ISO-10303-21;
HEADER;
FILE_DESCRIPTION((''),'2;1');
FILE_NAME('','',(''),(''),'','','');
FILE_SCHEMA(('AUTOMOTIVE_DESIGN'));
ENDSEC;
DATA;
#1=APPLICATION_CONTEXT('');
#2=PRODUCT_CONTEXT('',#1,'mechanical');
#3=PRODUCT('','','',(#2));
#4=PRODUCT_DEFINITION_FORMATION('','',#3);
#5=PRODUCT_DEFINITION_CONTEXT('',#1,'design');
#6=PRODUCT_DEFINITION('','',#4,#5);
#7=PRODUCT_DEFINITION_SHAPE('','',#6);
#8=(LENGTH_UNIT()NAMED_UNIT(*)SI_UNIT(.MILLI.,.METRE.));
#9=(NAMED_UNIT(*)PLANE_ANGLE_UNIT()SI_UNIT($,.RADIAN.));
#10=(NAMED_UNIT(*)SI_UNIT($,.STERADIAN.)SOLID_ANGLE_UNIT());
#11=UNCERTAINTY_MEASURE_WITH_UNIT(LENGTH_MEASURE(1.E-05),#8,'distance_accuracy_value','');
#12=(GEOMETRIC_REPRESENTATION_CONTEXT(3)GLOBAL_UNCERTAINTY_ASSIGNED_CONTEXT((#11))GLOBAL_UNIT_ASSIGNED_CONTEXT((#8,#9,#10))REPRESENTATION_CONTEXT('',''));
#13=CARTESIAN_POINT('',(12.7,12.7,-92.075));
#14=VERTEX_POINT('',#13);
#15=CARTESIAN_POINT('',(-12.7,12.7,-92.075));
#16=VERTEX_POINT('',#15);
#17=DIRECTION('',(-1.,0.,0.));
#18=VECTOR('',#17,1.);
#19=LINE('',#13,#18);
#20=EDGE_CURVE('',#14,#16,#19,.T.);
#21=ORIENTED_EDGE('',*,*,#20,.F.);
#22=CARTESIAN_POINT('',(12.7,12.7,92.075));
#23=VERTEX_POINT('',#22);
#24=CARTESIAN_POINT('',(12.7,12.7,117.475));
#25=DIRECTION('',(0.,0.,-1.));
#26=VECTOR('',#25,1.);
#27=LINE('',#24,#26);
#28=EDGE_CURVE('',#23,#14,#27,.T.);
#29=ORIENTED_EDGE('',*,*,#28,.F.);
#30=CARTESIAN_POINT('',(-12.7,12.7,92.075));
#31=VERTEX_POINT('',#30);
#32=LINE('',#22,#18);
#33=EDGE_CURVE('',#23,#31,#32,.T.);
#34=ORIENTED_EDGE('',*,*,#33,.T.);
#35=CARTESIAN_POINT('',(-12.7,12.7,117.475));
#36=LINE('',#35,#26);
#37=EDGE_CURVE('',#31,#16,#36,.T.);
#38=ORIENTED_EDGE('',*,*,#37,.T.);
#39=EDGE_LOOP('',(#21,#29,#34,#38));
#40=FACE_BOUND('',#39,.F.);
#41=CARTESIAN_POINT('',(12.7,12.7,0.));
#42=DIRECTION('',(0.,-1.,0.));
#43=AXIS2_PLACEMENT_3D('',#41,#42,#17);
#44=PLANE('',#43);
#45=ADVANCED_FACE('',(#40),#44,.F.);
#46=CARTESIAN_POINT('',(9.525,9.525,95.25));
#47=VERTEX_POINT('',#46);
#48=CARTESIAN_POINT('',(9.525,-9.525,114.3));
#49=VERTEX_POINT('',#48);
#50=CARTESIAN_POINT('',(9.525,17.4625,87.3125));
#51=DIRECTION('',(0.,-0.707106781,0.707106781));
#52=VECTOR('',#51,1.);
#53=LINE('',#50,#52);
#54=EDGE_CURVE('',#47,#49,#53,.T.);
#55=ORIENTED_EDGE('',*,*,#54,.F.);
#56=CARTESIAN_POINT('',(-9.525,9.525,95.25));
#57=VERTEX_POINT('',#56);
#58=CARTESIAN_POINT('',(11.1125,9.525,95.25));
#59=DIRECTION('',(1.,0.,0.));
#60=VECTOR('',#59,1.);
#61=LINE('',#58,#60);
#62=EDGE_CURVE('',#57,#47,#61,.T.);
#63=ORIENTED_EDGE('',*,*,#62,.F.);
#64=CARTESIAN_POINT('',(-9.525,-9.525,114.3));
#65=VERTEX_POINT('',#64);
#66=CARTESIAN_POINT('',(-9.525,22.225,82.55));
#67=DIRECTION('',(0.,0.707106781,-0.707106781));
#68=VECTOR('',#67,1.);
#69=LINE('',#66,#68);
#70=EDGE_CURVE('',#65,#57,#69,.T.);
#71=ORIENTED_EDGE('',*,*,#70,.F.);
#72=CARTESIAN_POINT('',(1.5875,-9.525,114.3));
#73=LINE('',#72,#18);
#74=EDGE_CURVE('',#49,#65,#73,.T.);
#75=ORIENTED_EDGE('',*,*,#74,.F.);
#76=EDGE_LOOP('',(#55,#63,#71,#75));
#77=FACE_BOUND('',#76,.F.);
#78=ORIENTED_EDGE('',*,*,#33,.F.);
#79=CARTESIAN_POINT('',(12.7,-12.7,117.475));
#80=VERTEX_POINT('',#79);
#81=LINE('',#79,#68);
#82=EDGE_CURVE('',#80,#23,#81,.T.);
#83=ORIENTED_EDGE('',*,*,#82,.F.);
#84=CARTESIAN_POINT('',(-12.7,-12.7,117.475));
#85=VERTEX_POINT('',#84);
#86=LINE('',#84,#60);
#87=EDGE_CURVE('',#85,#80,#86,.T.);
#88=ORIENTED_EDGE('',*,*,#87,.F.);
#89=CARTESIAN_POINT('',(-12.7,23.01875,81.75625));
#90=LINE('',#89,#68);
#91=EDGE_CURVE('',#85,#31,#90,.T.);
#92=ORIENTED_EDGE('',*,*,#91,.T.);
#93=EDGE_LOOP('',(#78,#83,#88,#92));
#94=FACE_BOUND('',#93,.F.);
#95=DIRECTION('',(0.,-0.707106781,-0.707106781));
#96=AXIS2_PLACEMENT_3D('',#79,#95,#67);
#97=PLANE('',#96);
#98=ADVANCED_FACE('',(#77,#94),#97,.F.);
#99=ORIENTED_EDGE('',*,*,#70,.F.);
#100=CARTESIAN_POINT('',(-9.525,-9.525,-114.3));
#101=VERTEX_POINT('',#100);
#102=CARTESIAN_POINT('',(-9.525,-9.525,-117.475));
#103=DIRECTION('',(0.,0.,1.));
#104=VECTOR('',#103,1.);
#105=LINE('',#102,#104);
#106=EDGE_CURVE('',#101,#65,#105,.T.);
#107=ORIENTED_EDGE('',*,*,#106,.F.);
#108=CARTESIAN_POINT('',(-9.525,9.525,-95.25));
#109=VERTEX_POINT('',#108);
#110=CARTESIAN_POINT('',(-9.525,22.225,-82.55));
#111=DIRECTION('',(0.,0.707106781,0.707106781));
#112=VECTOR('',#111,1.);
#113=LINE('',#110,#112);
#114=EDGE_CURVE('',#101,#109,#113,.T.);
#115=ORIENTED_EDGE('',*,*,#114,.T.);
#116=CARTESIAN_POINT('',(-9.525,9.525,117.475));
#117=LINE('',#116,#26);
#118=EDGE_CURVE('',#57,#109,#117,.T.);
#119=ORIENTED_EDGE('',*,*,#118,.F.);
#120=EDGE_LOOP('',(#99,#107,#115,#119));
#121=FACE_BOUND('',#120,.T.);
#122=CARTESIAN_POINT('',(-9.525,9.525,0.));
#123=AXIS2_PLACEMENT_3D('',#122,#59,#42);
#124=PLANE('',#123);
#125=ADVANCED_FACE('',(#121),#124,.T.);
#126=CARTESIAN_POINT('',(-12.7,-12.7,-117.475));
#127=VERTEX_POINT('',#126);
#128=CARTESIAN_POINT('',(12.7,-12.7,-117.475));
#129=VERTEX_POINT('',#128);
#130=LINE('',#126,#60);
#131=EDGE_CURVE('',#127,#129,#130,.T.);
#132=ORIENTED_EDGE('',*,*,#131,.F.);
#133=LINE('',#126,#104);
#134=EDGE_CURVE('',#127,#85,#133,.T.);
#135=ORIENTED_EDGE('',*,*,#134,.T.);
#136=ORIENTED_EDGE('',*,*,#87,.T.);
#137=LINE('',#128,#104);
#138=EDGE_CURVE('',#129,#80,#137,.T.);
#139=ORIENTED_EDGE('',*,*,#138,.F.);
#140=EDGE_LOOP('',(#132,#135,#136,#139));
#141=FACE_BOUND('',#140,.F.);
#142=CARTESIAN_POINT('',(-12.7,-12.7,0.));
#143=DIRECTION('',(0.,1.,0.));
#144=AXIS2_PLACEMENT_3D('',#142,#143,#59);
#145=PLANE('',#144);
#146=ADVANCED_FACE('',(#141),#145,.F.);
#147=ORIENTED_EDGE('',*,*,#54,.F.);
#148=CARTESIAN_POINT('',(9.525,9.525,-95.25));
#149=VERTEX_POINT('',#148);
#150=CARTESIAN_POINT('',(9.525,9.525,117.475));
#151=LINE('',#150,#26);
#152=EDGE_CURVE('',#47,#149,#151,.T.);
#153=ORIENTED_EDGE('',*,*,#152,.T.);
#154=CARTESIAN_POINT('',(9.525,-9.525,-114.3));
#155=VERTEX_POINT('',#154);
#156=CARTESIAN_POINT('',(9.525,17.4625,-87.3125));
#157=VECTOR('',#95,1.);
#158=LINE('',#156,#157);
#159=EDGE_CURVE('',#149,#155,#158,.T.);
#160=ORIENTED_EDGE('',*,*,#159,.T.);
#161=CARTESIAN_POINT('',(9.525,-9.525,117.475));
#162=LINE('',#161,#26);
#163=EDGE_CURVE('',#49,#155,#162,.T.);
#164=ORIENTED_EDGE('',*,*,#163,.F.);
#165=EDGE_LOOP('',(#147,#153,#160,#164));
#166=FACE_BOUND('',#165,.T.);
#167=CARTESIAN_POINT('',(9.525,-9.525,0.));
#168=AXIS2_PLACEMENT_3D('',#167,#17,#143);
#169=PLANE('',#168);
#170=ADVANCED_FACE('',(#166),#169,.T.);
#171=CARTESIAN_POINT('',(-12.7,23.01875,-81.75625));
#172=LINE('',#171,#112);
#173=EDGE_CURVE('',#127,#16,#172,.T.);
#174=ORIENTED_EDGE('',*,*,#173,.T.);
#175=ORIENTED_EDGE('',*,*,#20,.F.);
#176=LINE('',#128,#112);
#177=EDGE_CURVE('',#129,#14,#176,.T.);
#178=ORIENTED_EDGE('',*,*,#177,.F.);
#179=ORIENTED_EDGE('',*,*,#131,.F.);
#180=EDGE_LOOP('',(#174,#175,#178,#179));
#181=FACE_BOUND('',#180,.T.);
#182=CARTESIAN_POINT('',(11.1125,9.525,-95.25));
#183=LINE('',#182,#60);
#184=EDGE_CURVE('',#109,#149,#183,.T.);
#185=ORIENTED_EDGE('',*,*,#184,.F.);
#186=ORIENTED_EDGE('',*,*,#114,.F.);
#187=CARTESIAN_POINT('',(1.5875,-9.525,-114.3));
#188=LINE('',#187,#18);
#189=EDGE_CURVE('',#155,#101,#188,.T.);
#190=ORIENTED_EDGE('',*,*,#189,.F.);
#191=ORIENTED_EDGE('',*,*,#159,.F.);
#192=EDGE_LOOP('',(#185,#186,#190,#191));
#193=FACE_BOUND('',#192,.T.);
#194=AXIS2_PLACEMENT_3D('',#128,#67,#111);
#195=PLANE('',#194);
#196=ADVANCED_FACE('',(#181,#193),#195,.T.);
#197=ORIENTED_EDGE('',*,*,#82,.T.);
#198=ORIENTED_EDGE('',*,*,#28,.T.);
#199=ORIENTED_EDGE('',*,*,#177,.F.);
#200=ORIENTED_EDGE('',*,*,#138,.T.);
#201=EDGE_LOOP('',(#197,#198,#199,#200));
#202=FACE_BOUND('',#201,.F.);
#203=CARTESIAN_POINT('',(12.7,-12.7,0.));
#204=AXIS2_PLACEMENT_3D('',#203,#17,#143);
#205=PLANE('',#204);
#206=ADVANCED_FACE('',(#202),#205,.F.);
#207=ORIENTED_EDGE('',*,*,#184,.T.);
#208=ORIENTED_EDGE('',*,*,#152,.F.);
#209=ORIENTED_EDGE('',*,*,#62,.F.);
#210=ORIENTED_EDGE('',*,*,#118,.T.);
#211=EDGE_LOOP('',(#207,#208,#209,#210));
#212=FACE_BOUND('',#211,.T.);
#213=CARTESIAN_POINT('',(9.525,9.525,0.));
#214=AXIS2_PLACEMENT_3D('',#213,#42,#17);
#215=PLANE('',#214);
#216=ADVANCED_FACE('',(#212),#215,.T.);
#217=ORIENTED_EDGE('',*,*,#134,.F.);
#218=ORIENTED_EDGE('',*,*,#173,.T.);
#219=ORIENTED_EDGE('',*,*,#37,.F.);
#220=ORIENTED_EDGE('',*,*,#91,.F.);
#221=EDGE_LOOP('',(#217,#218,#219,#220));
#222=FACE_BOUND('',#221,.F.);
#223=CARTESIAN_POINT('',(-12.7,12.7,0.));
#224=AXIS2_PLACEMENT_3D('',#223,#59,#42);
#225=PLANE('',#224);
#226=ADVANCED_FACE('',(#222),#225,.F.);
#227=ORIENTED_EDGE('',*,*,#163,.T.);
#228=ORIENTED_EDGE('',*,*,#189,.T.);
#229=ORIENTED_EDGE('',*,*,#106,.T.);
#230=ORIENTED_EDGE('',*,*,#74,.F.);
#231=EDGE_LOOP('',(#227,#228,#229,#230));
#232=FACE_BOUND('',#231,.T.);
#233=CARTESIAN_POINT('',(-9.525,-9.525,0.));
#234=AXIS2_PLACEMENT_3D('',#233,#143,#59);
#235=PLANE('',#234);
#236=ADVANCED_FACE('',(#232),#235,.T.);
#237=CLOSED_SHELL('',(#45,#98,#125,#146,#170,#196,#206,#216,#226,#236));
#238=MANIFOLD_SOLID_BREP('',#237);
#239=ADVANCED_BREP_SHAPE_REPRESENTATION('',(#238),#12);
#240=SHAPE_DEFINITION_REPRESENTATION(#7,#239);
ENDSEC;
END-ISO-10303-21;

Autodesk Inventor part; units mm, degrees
ref_plane "YZ Plane" through (0, 0, 0) normal (1, 0, 0) x (0, 1, 0)
ref_plane "XZ Plane" through (0, 0, 0) normal (0, 1, 0) x (-1, 0, 0)
ref_plane "XY Plane" through (0, 0, 0) normal (0, 0, 1) x (1, 0, 0)
sketch "Sketch1" plane through (0, 0, 0) normal (0, 0, 1) x (1, 0, 0)
  line L0 (-12.7, -12.7) -> (12.7, -12.7)
  line L1 (12.7, -12.7) -> (12.7, 12.7)
  line L2 (12.7, 12.7) -> (-12.7, 12.7)
  line L3 (-12.7, 12.7) -> (-12.7, -12.7)
  line L4 (-12.7, -12.7) -> (12.7, 12.7) construction
  line L5 (12.7, -12.7) -> (-12.7, 12.7) construction
  line L6 (-9.525, -9.525) -> (9.525, -9.525)
  line L7 (9.525, -9.525) -> (9.525, 9.525)
  line L8 (9.525, 9.525) -> (-9.525, 9.525)
  line L9 (-9.525, 9.525) -> (-9.525, -9.525)
  line L10 (-9.525, -9.525) -> (9.525, 9.525) construction
  line L11 (9.525, -9.525) -> (-9.525, 9.525) construction
  point P0 (0, 0)
  dimension "d0" = 25.4
  dimension "d1" = 25.4
  dimension "d2" = 3.175
  dimension "d3" = 3.175
extrude "Extrusion1" add sketch "Sketch1" along normal mid plane 234.95
sketch "Sketch2" plane through (12.7, -12.7, 117.475) normal (1, 0, 0) x (0, 0, -1)
  line L0 (0, 0) -> (0, 25.4) projected
  line L1 (0, 0) -> (25.4, 25.4)
  line L2 (0, 25.4) -> (234.95, 25.4) projected
  line L3 (0, 25.4) -> (0, 0)
  line L4 (234.95, 0) -> (0, 0) projected
  line L5 (234.95, 0) -> (234.95, 25.4) projected
  line L6 (234.95, 0) -> (209.55, 25.4)
  line L7 (234.95, 25.4) -> (234.95, 0)
  point P0 (117.475, 12.7)
  dimension "d7" = 45
  dimension "d8" = 45
extrude "Extrusion2" cut sketch "Sketch2" against normal through all contours L0 L2 L1 | L6 L2 L5
properties part number "9_250-inchAluminumTubingWith45DegreeCuts" material "Aluminum 6061"
